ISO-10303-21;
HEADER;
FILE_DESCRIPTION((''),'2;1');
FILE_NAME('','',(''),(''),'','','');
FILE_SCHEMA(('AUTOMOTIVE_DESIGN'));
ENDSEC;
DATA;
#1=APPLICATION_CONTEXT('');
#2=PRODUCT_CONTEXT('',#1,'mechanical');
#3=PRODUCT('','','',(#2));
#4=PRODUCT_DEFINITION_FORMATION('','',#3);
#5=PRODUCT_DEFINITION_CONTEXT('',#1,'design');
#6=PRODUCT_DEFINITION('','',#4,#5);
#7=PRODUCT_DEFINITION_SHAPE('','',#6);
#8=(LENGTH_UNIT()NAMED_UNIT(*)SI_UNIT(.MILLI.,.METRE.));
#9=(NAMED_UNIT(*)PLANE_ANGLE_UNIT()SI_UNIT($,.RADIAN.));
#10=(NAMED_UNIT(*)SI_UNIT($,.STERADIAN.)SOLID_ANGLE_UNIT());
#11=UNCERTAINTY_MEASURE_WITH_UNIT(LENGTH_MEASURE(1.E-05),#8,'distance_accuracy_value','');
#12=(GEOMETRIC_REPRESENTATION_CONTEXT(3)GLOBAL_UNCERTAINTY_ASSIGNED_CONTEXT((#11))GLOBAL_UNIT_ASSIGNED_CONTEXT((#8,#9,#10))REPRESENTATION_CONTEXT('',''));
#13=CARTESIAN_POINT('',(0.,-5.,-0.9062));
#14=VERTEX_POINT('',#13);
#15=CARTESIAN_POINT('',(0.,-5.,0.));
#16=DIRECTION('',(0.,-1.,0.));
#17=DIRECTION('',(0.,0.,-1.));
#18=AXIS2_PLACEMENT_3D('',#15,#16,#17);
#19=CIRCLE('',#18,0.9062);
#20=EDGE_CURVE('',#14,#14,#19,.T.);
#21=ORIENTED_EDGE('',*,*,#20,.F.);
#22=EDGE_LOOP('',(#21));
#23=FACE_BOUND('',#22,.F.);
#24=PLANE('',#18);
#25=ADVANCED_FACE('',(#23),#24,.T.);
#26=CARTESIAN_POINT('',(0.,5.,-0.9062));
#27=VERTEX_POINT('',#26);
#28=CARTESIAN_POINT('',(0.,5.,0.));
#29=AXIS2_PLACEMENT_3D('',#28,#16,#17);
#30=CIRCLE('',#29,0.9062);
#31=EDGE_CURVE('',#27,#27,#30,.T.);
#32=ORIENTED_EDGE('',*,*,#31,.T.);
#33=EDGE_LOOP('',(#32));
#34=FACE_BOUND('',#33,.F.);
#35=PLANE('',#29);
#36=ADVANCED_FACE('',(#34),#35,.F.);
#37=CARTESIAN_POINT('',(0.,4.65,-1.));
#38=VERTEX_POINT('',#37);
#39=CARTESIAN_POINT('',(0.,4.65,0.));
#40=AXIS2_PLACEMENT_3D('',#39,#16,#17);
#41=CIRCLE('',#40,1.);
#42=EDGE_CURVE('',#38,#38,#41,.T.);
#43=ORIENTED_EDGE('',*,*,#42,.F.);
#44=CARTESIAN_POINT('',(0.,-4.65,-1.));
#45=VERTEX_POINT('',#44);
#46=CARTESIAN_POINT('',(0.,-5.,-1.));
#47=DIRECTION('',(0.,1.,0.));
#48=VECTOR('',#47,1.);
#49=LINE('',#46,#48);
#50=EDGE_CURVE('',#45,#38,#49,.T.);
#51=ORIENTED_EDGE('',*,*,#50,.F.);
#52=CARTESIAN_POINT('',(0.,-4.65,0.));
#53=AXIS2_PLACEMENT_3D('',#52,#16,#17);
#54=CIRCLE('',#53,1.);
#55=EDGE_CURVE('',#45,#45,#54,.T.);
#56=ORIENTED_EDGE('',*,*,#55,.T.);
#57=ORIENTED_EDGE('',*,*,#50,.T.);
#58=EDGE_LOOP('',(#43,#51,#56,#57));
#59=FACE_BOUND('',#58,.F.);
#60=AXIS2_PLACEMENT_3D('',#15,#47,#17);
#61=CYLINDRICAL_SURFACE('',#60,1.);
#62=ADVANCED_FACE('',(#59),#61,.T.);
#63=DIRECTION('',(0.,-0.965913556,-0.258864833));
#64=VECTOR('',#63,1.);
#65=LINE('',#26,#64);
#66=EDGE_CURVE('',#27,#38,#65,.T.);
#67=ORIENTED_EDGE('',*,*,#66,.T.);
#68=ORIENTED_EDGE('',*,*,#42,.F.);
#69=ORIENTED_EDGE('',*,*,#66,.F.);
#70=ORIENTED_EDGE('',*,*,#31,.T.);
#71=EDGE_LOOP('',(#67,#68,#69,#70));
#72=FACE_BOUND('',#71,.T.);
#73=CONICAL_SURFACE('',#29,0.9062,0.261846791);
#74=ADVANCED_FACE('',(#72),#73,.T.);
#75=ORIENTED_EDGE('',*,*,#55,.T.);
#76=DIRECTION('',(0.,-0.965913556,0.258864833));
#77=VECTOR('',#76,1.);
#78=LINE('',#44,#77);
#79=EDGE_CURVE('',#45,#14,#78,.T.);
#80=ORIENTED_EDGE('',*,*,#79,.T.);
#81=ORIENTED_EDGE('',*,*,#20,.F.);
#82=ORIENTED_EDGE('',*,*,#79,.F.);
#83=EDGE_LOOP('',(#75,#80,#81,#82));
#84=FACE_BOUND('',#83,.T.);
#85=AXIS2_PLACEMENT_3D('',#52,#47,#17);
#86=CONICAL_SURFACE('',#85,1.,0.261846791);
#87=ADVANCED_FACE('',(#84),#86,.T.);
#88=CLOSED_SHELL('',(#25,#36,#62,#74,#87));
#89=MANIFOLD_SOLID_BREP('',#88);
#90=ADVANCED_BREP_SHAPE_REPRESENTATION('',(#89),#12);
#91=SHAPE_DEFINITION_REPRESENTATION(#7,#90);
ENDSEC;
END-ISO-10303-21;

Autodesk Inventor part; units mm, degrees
ref_plane "YZ Plane" through (0, 0, 0) normal (1, 0, 0) x (0, 1, 0)
ref_plane "XZ Plane" through (0, 0, 0) normal (0, 1, 0) x (-1, 0, 0)
ref_plane "XY Plane" through (0, 0, 0) normal (0, 0, 1) x (1, 0, 0)
sketch "スケッチ2" plane through (0, 0, 0) normal (1, 0, 0) x (0, 1, 0)
  line L0 (5, 1) -> (-5, 1)
  line L1 (-5, 1) -> (-5, -1)
  line L2 (-5, -1) -> (5, -1)
  line L3 (5, -1) -> (5, 1)
  line L4 (5, 1) -> (-5, -1) construction
  line L5 (-5, 1) -> (5, -1) construction
  line L6 (5, -0.9062) -> (4.65, -1)
  line L7 (5, 0) -> (-5, 0)
  line L8 (-4.65, -1) -> (-5, -0.9062)
  point P0 (0, 0)
  dimension "d9" = 10
  dimension "d10" = 2
  dimension "d11" = 0.35
  dimension "d12" = 15
  dimension "d14" = 0.35
  dimension "d15" = 15
revolve "回転1" add sketch "スケッチ2" angle 360 about axis through (0, 5, 0) along (0, -1, 0) contours L3 L6 L2 L8 L1 L7
properties part number "_3D プリント"
